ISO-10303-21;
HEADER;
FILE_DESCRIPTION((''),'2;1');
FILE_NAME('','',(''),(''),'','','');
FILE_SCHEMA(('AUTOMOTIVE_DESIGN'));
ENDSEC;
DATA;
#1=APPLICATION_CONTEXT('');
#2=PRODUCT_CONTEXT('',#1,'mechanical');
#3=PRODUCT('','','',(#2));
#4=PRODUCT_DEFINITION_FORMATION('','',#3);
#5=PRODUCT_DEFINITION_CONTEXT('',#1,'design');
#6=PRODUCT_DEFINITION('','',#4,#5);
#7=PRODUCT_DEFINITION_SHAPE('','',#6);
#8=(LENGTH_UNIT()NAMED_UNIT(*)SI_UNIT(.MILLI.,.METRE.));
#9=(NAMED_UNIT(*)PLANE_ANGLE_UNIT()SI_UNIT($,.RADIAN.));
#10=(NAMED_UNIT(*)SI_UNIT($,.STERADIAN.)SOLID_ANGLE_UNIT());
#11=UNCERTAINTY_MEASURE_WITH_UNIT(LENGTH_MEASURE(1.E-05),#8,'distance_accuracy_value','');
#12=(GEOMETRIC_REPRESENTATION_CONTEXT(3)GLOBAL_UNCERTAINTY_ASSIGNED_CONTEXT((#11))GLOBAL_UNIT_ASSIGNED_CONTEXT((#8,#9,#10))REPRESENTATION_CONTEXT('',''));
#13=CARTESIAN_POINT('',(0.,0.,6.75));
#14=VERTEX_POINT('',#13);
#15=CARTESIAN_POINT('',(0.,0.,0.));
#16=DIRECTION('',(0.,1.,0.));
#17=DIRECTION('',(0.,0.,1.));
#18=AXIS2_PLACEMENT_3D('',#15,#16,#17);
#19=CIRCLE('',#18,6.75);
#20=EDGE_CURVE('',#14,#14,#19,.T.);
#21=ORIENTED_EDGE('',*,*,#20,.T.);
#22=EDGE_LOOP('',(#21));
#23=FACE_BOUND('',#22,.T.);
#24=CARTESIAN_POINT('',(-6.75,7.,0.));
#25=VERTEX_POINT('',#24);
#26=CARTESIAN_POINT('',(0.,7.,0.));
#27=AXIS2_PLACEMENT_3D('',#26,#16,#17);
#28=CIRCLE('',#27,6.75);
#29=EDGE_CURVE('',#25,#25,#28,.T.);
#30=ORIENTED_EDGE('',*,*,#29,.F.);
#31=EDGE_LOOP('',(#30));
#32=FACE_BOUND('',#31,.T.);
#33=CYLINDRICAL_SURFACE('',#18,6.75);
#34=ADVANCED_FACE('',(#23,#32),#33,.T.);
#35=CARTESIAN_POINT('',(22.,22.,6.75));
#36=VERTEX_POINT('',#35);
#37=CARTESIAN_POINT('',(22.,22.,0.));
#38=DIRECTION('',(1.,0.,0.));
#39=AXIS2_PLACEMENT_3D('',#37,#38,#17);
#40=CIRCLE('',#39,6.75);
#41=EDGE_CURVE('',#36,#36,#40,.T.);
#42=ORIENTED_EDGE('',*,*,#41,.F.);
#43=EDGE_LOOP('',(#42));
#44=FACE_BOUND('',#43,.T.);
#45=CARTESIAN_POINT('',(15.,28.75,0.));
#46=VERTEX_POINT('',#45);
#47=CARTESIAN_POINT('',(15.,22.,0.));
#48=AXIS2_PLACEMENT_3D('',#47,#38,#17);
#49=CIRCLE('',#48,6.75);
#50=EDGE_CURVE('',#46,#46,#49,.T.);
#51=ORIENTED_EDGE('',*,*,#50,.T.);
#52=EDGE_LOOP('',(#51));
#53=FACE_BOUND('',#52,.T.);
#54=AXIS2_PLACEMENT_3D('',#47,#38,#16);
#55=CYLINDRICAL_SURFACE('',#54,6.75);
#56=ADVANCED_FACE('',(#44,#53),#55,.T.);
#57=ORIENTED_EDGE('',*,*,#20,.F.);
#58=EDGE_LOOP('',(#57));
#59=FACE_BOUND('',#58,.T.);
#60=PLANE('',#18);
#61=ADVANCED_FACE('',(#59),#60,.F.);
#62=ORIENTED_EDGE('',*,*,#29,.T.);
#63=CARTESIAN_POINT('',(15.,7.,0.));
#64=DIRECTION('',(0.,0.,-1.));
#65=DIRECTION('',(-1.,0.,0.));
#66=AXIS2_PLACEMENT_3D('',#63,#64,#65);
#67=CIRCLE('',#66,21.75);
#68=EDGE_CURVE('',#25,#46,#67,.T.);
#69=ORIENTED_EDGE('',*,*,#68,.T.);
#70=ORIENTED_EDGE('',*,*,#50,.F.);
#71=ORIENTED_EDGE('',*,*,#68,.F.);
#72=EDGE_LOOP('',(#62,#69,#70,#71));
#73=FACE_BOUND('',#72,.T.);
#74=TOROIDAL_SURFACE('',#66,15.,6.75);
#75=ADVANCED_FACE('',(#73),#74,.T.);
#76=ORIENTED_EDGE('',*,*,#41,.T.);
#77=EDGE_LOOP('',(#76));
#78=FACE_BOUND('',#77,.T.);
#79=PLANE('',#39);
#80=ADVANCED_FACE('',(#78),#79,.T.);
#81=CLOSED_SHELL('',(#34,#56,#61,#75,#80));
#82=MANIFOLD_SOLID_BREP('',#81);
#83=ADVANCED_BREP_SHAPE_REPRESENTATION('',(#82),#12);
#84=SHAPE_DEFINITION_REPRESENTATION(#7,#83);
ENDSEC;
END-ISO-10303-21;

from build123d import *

# Parameters (mm, degrees)
SKETCH2_R = 6.75


with BuildPart() as part:
    # Sweep1: sweep along a path in Sketch1
    with BuildLine(Plane.XY) as sweep1_path:
        Line((0, 0), (0, 7))
        ThreePointArc((0, 7), (4.393398282, 17.606601718), (15, 22))
        Line((15, 22), (22, 22))
    # Sketch2 → Sweep1 (sweep)
    with BuildSketch(Plane(origin=(0, 0, 0), x_dir=(1, 0, 0), z_dir=(0, 1, 0))):
        Circle(SKETCH2_R)
    sweep(path=sweep1_path.line)


solid = part.part
